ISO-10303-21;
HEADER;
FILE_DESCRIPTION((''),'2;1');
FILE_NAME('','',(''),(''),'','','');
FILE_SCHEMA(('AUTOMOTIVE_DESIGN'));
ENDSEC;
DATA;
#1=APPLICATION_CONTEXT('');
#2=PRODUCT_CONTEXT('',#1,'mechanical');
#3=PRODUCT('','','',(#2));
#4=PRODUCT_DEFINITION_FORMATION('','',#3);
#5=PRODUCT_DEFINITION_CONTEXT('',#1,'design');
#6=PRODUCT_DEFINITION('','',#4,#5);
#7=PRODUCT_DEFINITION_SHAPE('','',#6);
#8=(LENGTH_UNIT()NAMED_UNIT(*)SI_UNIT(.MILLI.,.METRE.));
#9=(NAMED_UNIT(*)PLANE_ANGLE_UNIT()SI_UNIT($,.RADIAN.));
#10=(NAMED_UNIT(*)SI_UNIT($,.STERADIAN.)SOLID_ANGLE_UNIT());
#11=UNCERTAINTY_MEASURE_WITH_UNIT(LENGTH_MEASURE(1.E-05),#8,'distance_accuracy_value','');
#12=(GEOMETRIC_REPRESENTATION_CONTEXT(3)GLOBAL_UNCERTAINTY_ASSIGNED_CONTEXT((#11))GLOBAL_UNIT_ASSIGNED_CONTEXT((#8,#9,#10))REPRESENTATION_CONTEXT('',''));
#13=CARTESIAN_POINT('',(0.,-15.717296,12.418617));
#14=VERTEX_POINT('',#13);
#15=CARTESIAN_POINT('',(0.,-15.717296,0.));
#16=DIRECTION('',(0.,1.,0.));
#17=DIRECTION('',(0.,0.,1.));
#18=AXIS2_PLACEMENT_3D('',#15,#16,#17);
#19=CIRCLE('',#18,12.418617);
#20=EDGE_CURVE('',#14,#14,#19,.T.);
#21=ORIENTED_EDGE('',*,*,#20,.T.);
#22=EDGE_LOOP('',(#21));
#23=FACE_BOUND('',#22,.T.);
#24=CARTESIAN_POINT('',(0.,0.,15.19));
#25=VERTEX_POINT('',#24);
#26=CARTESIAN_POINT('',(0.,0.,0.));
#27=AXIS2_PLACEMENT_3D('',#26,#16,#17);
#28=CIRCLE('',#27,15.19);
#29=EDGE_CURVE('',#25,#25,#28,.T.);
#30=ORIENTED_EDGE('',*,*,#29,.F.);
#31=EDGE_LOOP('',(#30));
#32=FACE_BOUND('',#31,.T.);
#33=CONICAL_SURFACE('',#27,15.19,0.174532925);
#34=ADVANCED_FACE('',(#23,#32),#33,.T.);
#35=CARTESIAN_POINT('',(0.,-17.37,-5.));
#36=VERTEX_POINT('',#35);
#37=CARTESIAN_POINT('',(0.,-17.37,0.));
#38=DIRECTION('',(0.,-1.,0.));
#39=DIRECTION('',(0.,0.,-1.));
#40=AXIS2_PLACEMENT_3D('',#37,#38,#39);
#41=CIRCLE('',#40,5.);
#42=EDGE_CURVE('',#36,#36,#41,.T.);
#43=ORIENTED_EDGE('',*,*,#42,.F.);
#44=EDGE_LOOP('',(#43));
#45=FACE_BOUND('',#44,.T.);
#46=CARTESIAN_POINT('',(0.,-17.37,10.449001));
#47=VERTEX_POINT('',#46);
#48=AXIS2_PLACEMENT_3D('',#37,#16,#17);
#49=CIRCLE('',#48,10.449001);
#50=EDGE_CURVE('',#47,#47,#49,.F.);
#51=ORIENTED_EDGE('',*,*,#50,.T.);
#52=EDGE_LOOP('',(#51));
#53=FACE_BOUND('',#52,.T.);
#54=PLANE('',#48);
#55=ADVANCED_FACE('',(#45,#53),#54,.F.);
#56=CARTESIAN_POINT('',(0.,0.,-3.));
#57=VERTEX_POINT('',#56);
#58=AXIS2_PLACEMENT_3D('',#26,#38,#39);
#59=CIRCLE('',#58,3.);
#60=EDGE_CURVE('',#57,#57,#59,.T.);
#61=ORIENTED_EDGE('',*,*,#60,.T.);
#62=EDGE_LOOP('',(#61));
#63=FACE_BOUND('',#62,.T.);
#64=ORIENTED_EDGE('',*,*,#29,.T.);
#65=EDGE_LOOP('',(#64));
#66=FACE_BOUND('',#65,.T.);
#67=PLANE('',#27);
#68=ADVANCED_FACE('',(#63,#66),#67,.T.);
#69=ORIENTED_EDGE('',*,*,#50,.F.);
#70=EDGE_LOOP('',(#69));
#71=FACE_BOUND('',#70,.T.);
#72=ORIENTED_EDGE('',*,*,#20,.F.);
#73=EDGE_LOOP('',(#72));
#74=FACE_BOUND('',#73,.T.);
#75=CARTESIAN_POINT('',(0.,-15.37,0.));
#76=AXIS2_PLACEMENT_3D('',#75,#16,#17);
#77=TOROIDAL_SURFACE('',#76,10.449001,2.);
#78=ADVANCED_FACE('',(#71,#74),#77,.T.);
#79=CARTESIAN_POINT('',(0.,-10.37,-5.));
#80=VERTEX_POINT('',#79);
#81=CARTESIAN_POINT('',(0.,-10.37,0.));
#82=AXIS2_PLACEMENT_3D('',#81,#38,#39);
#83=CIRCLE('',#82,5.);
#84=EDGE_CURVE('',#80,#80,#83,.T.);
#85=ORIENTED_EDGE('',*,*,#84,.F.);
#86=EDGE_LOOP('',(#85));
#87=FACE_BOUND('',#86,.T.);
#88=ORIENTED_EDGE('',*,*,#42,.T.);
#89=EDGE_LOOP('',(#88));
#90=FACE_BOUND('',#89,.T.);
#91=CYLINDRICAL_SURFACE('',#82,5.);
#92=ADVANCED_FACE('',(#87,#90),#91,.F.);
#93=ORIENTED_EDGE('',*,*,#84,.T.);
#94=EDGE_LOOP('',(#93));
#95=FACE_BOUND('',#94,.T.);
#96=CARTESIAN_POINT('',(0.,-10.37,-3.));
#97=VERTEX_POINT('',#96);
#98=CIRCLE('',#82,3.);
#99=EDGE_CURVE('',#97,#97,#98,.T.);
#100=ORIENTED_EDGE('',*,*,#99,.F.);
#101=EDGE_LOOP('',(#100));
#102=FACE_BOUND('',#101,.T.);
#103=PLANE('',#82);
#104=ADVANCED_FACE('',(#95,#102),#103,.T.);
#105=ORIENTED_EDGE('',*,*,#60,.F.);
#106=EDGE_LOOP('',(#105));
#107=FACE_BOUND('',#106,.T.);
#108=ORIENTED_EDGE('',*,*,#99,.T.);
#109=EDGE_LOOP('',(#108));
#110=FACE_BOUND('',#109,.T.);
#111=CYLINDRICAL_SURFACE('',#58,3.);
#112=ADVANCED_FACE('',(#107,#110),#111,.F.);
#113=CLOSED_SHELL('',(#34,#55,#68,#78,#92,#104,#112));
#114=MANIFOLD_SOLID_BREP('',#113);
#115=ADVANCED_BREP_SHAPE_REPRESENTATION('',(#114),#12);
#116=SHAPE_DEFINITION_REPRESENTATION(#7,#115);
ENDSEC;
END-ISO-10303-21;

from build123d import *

# Parameters (mm, degrees)
ESBO_O1_R                = 15.19
RESSALTO_EXTRUS_O1_DEPTH = 17.37
RESSALTO_EXTRUS_O1_DRAFT = -10
ESBO_O2_R                = 5
CORTE_EXTRUS_O1_DEPTH    = 7
ESBO_O3_R                = 3
CORTE_EXTRUS_O2_DEPTH    = 24.853911629
FILETE1_R                = 2


with BuildPart() as part:
    # Esboço1 → Ressalto-extrusão1 (with draft: the straight prism first)
    with BuildSketch(Plane(origin=(0, 0, 0), x_dir=(1, 0, 0), z_dir=(0, 1, 0))):
        Circle(ESBO_O1_R)
    extrude(amount=-RESSALTO_EXTRUS_O1_DEPTH)
    # Ressalto-extrusão1: the draft: its side faces are tilted about the plane it starts from
    ressalto_extrus_o1_sides = [part.faces().sort_by_distance(p)[0] for p in [
        (-15.19, -8.685, 0),
    ]]
    draft(ressalto_extrus_o1_sides, Plane(origin=(0, 0, 0), x_dir=(1, 0, 0), z_dir=(0, 1, 0)), RESSALTO_EXTRUS_O1_DRAFT)

    # Esboço2 → Corte-extrusão1 (cut)
    with BuildSketch(Plane.XZ.offset(17.37)):
        with Locations(Location((0, 0, 0), (0, 0, 270))):
            Circle(ESBO_O2_R)
    extrude(amount=-CORTE_EXTRUS_O1_DEPTH, mode=Mode.SUBTRACT)

    # Esboço3 → Corte-extrusão2 (cut, through all)
    with BuildSketch(Plane.XZ.offset(10.37)):
        with Locations(Location((0, 0, 0), (0, 0, 270))):
            Circle(ESBO_O3_R)
    extrude(amount=-CORTE_EXTRUS_O2_DEPTH, mode=Mode.SUBTRACT)

    # Filete1
    filete1_edges = [part.edges().sort_by_distance(p)[0] for p in [
        (-12.127200345, -17.37, 0),
    ]]
    fillet(filete1_edges, radius=FILETE1_R)


solid = part.part
